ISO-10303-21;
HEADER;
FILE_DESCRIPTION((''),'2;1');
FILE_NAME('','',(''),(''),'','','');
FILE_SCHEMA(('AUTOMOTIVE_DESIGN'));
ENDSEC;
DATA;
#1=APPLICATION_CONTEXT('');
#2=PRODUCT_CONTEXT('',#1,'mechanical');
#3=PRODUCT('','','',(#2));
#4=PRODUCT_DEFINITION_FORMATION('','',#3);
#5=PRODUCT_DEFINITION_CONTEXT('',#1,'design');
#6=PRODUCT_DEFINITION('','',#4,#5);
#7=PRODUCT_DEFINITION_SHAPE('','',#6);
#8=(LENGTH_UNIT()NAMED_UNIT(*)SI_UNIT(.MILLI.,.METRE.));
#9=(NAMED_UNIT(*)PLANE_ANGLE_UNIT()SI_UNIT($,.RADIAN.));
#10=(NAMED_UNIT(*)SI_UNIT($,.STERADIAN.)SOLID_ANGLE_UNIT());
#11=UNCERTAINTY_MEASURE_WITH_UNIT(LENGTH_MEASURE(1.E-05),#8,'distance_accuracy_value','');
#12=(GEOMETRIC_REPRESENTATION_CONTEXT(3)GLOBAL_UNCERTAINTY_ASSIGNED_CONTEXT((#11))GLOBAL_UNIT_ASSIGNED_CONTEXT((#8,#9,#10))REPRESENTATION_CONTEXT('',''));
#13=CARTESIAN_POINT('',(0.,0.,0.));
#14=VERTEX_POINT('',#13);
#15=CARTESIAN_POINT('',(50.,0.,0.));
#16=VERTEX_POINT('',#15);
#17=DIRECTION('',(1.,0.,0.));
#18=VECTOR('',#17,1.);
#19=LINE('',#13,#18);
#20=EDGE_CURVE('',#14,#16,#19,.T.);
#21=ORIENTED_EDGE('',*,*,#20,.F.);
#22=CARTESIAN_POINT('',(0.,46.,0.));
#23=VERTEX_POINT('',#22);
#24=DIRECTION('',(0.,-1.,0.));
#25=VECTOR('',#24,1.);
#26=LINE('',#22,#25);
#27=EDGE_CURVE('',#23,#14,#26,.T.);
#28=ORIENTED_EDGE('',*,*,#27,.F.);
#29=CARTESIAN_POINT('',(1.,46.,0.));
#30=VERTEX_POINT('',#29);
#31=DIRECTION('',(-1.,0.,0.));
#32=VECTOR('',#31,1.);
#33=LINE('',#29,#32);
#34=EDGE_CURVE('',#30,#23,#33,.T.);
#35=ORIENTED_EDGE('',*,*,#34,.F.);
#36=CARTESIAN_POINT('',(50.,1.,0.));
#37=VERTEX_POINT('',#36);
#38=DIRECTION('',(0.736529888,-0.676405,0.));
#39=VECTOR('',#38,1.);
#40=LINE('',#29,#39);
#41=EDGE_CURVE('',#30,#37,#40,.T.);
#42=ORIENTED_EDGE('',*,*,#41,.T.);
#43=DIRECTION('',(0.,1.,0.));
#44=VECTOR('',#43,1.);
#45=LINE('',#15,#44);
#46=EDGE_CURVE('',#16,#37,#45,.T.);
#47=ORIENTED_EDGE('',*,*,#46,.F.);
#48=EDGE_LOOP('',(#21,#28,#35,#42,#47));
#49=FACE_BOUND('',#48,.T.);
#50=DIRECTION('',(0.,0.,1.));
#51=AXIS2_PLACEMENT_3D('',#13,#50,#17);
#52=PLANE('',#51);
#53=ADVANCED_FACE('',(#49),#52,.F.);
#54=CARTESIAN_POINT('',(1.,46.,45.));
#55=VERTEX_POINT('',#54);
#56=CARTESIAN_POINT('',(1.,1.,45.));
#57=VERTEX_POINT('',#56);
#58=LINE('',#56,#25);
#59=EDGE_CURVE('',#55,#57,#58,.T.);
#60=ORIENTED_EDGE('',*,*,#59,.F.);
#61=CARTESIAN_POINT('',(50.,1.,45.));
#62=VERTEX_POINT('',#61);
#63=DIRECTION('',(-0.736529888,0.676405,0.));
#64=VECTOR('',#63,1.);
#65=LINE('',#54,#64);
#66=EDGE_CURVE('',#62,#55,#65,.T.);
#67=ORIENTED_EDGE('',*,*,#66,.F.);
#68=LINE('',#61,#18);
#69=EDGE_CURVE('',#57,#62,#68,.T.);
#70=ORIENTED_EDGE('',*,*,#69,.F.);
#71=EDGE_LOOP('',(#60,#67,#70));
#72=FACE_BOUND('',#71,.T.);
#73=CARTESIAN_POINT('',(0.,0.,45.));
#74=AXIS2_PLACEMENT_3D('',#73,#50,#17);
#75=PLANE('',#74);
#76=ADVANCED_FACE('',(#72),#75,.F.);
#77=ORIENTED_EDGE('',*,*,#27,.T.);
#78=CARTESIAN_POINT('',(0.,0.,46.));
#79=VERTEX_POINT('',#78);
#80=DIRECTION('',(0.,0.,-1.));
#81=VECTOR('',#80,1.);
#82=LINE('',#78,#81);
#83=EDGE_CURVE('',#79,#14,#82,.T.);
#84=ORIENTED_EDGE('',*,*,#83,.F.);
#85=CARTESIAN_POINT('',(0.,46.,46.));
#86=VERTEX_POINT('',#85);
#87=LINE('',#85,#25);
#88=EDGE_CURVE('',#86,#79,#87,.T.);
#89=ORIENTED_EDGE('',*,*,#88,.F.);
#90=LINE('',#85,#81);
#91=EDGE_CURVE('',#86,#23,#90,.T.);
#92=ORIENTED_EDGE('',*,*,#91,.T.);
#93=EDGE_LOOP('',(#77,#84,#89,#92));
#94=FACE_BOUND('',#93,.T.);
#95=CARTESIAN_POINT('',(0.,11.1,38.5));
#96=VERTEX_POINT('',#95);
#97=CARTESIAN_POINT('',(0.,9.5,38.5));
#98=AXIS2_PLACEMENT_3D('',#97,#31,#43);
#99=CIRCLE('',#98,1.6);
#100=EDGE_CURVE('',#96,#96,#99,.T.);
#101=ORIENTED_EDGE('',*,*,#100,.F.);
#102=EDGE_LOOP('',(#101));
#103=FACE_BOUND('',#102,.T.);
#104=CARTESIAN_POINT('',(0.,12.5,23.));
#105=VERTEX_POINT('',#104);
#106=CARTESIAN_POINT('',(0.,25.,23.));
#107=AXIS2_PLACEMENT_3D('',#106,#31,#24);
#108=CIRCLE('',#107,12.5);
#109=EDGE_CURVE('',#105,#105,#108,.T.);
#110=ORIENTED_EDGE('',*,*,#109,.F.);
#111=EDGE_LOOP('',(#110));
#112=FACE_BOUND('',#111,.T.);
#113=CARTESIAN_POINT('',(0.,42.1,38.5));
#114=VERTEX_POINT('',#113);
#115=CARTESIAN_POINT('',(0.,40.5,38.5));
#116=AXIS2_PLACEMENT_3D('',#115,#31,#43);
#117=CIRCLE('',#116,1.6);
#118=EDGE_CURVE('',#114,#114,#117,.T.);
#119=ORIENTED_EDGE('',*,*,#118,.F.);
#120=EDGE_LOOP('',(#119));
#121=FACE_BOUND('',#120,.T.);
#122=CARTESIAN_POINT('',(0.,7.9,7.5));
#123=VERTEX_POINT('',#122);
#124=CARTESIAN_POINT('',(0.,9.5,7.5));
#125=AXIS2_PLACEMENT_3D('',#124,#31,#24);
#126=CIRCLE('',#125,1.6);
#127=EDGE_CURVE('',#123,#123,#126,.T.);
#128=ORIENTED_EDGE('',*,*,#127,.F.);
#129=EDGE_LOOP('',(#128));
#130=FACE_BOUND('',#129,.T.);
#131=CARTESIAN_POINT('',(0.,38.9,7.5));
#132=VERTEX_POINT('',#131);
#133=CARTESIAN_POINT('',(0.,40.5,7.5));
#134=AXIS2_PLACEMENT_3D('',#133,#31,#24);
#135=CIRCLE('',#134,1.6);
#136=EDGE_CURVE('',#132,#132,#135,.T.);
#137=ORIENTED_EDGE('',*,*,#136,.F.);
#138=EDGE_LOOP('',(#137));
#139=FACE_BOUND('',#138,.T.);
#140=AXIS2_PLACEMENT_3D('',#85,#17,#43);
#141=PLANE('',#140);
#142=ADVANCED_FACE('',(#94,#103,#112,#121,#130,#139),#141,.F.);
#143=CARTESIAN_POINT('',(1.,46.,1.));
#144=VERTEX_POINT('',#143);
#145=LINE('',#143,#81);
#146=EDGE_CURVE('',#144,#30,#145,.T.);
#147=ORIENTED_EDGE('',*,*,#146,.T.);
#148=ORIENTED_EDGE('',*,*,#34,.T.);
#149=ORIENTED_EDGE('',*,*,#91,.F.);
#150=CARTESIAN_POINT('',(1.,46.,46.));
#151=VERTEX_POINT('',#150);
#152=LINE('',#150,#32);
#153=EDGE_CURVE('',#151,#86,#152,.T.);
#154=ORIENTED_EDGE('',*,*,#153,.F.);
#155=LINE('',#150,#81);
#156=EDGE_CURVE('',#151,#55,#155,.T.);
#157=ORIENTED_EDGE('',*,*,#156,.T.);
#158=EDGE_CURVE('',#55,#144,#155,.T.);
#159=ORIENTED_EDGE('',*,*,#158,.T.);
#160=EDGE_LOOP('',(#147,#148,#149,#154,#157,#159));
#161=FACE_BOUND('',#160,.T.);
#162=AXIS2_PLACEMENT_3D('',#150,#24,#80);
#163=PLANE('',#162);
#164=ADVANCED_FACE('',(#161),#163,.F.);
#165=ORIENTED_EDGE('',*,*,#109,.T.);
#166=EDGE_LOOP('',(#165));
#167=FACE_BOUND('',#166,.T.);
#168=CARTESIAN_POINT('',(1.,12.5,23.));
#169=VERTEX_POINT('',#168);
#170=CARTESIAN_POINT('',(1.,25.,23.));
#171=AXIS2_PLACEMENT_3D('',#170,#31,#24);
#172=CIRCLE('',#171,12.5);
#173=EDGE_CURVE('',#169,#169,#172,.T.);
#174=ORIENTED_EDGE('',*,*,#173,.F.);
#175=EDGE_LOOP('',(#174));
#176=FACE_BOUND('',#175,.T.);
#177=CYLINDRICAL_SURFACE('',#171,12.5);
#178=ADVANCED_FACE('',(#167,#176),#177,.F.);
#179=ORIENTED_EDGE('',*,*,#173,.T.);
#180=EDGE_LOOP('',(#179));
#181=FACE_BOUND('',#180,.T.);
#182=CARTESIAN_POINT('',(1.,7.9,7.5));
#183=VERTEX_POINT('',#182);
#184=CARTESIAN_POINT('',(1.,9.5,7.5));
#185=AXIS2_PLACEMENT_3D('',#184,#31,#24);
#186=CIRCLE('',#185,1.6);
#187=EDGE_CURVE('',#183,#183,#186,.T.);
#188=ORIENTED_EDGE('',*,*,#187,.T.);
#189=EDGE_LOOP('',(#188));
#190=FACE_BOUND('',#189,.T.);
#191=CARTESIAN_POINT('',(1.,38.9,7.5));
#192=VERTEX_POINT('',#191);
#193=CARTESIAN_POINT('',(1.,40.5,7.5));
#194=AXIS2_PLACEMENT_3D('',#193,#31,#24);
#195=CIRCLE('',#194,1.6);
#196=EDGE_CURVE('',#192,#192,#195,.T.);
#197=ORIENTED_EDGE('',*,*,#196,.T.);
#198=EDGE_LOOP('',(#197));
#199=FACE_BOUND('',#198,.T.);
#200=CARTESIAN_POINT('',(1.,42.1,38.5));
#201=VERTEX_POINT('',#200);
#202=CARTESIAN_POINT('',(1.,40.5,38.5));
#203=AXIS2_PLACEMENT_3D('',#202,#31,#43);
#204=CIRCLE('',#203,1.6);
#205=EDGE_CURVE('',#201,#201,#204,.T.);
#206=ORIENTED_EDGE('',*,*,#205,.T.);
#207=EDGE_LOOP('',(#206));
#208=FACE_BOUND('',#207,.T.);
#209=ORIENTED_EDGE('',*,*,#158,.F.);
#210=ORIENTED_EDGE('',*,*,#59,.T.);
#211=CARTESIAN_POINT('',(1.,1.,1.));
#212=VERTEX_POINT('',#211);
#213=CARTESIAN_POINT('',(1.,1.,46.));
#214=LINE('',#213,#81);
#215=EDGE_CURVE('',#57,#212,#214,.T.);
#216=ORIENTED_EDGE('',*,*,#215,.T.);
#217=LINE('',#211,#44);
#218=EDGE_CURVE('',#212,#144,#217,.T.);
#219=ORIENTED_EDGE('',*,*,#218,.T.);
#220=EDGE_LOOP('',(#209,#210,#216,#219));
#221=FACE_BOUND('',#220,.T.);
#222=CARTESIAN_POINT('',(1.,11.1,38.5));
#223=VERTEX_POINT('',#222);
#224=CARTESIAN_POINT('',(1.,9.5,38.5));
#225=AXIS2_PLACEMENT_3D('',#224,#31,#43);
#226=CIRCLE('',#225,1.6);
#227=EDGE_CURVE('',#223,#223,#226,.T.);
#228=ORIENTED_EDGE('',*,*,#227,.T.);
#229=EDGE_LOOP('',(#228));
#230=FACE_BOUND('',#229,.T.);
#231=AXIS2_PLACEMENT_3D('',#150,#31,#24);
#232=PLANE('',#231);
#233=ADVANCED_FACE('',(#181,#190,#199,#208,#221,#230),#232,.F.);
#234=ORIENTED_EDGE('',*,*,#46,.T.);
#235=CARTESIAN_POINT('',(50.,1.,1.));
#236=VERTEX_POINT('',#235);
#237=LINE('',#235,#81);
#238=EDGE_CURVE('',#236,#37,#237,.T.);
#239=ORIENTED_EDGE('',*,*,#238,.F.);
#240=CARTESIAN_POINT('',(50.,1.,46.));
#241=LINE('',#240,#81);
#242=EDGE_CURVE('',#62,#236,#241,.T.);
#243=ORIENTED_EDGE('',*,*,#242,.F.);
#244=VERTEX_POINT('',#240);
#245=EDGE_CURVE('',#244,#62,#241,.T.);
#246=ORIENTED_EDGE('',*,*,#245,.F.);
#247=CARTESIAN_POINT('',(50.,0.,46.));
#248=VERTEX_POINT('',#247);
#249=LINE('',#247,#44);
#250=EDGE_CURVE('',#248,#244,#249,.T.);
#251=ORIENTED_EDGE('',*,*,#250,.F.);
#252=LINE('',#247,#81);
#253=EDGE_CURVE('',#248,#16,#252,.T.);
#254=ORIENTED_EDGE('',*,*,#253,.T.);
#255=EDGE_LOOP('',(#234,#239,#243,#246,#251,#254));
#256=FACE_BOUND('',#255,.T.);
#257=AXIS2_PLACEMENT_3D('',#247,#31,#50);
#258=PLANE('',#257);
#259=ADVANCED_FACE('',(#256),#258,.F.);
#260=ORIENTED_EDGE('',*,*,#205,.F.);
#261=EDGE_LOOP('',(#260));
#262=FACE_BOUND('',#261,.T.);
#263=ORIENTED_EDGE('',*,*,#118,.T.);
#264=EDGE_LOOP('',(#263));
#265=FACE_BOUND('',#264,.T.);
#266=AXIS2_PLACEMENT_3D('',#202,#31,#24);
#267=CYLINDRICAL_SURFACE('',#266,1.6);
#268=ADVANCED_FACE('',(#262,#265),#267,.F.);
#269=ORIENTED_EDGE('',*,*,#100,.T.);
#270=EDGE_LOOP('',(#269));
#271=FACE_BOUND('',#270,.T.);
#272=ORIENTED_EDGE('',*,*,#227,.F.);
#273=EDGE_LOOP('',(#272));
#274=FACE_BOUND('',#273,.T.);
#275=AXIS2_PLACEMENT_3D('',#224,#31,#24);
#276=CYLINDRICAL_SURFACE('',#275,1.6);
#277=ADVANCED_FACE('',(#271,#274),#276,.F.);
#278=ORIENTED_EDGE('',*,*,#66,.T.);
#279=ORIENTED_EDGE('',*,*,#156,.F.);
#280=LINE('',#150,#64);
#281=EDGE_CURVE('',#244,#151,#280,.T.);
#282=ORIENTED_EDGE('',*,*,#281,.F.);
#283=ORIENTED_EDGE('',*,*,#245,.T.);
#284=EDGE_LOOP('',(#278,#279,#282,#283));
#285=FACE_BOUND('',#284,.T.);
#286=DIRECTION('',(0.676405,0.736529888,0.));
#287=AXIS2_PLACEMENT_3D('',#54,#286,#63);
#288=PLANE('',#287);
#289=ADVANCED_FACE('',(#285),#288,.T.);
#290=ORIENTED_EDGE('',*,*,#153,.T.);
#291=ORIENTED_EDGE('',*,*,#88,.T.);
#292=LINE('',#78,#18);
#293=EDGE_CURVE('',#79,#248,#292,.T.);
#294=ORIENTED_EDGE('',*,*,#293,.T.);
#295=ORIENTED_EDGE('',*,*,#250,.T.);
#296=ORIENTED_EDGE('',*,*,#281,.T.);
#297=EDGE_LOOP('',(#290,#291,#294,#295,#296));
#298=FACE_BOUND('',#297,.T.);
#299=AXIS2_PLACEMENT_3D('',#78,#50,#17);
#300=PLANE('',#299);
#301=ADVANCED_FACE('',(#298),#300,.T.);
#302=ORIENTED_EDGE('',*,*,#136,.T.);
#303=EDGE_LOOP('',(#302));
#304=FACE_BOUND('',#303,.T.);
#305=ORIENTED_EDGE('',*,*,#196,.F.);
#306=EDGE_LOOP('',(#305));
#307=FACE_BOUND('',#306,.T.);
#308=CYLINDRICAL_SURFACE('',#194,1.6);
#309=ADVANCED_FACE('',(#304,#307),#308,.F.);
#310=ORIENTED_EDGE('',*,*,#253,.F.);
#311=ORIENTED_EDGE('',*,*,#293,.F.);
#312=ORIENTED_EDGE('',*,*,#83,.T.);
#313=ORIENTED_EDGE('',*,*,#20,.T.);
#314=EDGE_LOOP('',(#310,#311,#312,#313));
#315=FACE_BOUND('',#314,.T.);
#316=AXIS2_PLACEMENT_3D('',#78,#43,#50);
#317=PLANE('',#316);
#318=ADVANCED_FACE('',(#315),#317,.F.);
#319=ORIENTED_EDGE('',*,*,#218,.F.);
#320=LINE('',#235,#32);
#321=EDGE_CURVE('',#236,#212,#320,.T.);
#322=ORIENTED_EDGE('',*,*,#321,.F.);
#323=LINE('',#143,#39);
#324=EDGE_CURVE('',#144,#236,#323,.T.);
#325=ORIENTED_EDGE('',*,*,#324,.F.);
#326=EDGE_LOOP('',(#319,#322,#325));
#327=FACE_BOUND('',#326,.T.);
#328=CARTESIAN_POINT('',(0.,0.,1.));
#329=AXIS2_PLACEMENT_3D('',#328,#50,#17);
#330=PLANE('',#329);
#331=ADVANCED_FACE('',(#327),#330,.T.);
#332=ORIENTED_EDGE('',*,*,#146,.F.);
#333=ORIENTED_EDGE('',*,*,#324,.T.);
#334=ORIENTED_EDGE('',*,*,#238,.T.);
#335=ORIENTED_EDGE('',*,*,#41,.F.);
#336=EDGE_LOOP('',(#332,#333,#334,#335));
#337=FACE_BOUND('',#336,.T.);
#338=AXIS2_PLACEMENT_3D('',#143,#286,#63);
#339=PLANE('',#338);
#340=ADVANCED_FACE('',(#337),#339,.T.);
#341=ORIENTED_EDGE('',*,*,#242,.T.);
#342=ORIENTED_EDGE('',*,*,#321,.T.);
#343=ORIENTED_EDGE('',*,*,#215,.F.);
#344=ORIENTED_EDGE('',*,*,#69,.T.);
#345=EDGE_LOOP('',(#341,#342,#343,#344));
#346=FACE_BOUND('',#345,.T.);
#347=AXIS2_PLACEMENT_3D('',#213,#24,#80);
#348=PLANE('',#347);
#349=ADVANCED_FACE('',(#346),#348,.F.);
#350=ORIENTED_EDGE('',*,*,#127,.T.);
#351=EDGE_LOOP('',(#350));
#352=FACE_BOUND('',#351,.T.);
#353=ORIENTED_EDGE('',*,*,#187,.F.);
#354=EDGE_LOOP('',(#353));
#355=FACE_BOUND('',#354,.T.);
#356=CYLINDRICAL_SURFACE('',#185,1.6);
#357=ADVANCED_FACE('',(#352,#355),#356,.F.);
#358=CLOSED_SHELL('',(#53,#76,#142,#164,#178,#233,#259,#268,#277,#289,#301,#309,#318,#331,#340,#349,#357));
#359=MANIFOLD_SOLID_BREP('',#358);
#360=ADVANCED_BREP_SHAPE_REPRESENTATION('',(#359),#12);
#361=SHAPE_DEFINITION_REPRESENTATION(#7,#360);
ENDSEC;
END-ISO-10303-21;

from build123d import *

# Parameters (mm, degrees)
EXTRUDE_1_DEPTH     = 46
EXTRUDE_2_DEPTH     = 1
EXTRUDE_3_DEPTH     = 1
SKETCH_5_R          = 1.6
SKETCH_5_R_2        = 12.5
CUT_EXTRUDE_1_DEPTH = 1


with BuildPart() as part:
    # 草图2 → 凸台-拉伸1 (new body)
    with BuildSketch(Plane.XY):
        Polygon((0, 46), (0, 0), (50, 0), (50, 1), (1, 1), (1, 46), align=None)
    extrude(amount=EXTRUDE_1_DEPTH)

    # 草图3 → 凸台-拉伸2 (add)
    with BuildSketch(Plane.XY.offset(46)):
        Polygon((1, 46), (50, 1), (1, 1), align=None)
    extrude(amount=-EXTRUDE_2_DEPTH)

    # 草图4 → 凸台-拉伸3 (add)
    with BuildSketch(Plane(origin=(0, 0, 0), x_dir=(-1, 0, 0), z_dir=(0, 0, -1))):
        Polygon((-1, 46), (-50, 1), (-1, 1), align=None)
    extrude(amount=-EXTRUDE_3_DEPTH)

    # 草图5 → 切除-拉伸1 (cut)
    with BuildSketch(Plane.ZY):
        with Locations(Location((7.5, 40.5, 0), (0, 0, 270))):
            Circle(SKETCH_5_R)
        with Locations(Location((38.5, 40.5, 0), (0, 0, 90))):
            Circle(SKETCH_5_R)
        with Locations(Location((7.5, 9.5, 0), (0, 0, 270))):
            Circle(SKETCH_5_R)
        with Locations(Location((38.5, 9.5, 0), (0, 0, 90))):
            Circle(SKETCH_5_R)
        with Locations(Location((23, 25, 0), (0, 0, 270))):
            Circle(SKETCH_5_R_2)
    extrude(amount=-CUT_EXTRUDE_1_DEPTH, mode=Mode.SUBTRACT)


solid = part.part
